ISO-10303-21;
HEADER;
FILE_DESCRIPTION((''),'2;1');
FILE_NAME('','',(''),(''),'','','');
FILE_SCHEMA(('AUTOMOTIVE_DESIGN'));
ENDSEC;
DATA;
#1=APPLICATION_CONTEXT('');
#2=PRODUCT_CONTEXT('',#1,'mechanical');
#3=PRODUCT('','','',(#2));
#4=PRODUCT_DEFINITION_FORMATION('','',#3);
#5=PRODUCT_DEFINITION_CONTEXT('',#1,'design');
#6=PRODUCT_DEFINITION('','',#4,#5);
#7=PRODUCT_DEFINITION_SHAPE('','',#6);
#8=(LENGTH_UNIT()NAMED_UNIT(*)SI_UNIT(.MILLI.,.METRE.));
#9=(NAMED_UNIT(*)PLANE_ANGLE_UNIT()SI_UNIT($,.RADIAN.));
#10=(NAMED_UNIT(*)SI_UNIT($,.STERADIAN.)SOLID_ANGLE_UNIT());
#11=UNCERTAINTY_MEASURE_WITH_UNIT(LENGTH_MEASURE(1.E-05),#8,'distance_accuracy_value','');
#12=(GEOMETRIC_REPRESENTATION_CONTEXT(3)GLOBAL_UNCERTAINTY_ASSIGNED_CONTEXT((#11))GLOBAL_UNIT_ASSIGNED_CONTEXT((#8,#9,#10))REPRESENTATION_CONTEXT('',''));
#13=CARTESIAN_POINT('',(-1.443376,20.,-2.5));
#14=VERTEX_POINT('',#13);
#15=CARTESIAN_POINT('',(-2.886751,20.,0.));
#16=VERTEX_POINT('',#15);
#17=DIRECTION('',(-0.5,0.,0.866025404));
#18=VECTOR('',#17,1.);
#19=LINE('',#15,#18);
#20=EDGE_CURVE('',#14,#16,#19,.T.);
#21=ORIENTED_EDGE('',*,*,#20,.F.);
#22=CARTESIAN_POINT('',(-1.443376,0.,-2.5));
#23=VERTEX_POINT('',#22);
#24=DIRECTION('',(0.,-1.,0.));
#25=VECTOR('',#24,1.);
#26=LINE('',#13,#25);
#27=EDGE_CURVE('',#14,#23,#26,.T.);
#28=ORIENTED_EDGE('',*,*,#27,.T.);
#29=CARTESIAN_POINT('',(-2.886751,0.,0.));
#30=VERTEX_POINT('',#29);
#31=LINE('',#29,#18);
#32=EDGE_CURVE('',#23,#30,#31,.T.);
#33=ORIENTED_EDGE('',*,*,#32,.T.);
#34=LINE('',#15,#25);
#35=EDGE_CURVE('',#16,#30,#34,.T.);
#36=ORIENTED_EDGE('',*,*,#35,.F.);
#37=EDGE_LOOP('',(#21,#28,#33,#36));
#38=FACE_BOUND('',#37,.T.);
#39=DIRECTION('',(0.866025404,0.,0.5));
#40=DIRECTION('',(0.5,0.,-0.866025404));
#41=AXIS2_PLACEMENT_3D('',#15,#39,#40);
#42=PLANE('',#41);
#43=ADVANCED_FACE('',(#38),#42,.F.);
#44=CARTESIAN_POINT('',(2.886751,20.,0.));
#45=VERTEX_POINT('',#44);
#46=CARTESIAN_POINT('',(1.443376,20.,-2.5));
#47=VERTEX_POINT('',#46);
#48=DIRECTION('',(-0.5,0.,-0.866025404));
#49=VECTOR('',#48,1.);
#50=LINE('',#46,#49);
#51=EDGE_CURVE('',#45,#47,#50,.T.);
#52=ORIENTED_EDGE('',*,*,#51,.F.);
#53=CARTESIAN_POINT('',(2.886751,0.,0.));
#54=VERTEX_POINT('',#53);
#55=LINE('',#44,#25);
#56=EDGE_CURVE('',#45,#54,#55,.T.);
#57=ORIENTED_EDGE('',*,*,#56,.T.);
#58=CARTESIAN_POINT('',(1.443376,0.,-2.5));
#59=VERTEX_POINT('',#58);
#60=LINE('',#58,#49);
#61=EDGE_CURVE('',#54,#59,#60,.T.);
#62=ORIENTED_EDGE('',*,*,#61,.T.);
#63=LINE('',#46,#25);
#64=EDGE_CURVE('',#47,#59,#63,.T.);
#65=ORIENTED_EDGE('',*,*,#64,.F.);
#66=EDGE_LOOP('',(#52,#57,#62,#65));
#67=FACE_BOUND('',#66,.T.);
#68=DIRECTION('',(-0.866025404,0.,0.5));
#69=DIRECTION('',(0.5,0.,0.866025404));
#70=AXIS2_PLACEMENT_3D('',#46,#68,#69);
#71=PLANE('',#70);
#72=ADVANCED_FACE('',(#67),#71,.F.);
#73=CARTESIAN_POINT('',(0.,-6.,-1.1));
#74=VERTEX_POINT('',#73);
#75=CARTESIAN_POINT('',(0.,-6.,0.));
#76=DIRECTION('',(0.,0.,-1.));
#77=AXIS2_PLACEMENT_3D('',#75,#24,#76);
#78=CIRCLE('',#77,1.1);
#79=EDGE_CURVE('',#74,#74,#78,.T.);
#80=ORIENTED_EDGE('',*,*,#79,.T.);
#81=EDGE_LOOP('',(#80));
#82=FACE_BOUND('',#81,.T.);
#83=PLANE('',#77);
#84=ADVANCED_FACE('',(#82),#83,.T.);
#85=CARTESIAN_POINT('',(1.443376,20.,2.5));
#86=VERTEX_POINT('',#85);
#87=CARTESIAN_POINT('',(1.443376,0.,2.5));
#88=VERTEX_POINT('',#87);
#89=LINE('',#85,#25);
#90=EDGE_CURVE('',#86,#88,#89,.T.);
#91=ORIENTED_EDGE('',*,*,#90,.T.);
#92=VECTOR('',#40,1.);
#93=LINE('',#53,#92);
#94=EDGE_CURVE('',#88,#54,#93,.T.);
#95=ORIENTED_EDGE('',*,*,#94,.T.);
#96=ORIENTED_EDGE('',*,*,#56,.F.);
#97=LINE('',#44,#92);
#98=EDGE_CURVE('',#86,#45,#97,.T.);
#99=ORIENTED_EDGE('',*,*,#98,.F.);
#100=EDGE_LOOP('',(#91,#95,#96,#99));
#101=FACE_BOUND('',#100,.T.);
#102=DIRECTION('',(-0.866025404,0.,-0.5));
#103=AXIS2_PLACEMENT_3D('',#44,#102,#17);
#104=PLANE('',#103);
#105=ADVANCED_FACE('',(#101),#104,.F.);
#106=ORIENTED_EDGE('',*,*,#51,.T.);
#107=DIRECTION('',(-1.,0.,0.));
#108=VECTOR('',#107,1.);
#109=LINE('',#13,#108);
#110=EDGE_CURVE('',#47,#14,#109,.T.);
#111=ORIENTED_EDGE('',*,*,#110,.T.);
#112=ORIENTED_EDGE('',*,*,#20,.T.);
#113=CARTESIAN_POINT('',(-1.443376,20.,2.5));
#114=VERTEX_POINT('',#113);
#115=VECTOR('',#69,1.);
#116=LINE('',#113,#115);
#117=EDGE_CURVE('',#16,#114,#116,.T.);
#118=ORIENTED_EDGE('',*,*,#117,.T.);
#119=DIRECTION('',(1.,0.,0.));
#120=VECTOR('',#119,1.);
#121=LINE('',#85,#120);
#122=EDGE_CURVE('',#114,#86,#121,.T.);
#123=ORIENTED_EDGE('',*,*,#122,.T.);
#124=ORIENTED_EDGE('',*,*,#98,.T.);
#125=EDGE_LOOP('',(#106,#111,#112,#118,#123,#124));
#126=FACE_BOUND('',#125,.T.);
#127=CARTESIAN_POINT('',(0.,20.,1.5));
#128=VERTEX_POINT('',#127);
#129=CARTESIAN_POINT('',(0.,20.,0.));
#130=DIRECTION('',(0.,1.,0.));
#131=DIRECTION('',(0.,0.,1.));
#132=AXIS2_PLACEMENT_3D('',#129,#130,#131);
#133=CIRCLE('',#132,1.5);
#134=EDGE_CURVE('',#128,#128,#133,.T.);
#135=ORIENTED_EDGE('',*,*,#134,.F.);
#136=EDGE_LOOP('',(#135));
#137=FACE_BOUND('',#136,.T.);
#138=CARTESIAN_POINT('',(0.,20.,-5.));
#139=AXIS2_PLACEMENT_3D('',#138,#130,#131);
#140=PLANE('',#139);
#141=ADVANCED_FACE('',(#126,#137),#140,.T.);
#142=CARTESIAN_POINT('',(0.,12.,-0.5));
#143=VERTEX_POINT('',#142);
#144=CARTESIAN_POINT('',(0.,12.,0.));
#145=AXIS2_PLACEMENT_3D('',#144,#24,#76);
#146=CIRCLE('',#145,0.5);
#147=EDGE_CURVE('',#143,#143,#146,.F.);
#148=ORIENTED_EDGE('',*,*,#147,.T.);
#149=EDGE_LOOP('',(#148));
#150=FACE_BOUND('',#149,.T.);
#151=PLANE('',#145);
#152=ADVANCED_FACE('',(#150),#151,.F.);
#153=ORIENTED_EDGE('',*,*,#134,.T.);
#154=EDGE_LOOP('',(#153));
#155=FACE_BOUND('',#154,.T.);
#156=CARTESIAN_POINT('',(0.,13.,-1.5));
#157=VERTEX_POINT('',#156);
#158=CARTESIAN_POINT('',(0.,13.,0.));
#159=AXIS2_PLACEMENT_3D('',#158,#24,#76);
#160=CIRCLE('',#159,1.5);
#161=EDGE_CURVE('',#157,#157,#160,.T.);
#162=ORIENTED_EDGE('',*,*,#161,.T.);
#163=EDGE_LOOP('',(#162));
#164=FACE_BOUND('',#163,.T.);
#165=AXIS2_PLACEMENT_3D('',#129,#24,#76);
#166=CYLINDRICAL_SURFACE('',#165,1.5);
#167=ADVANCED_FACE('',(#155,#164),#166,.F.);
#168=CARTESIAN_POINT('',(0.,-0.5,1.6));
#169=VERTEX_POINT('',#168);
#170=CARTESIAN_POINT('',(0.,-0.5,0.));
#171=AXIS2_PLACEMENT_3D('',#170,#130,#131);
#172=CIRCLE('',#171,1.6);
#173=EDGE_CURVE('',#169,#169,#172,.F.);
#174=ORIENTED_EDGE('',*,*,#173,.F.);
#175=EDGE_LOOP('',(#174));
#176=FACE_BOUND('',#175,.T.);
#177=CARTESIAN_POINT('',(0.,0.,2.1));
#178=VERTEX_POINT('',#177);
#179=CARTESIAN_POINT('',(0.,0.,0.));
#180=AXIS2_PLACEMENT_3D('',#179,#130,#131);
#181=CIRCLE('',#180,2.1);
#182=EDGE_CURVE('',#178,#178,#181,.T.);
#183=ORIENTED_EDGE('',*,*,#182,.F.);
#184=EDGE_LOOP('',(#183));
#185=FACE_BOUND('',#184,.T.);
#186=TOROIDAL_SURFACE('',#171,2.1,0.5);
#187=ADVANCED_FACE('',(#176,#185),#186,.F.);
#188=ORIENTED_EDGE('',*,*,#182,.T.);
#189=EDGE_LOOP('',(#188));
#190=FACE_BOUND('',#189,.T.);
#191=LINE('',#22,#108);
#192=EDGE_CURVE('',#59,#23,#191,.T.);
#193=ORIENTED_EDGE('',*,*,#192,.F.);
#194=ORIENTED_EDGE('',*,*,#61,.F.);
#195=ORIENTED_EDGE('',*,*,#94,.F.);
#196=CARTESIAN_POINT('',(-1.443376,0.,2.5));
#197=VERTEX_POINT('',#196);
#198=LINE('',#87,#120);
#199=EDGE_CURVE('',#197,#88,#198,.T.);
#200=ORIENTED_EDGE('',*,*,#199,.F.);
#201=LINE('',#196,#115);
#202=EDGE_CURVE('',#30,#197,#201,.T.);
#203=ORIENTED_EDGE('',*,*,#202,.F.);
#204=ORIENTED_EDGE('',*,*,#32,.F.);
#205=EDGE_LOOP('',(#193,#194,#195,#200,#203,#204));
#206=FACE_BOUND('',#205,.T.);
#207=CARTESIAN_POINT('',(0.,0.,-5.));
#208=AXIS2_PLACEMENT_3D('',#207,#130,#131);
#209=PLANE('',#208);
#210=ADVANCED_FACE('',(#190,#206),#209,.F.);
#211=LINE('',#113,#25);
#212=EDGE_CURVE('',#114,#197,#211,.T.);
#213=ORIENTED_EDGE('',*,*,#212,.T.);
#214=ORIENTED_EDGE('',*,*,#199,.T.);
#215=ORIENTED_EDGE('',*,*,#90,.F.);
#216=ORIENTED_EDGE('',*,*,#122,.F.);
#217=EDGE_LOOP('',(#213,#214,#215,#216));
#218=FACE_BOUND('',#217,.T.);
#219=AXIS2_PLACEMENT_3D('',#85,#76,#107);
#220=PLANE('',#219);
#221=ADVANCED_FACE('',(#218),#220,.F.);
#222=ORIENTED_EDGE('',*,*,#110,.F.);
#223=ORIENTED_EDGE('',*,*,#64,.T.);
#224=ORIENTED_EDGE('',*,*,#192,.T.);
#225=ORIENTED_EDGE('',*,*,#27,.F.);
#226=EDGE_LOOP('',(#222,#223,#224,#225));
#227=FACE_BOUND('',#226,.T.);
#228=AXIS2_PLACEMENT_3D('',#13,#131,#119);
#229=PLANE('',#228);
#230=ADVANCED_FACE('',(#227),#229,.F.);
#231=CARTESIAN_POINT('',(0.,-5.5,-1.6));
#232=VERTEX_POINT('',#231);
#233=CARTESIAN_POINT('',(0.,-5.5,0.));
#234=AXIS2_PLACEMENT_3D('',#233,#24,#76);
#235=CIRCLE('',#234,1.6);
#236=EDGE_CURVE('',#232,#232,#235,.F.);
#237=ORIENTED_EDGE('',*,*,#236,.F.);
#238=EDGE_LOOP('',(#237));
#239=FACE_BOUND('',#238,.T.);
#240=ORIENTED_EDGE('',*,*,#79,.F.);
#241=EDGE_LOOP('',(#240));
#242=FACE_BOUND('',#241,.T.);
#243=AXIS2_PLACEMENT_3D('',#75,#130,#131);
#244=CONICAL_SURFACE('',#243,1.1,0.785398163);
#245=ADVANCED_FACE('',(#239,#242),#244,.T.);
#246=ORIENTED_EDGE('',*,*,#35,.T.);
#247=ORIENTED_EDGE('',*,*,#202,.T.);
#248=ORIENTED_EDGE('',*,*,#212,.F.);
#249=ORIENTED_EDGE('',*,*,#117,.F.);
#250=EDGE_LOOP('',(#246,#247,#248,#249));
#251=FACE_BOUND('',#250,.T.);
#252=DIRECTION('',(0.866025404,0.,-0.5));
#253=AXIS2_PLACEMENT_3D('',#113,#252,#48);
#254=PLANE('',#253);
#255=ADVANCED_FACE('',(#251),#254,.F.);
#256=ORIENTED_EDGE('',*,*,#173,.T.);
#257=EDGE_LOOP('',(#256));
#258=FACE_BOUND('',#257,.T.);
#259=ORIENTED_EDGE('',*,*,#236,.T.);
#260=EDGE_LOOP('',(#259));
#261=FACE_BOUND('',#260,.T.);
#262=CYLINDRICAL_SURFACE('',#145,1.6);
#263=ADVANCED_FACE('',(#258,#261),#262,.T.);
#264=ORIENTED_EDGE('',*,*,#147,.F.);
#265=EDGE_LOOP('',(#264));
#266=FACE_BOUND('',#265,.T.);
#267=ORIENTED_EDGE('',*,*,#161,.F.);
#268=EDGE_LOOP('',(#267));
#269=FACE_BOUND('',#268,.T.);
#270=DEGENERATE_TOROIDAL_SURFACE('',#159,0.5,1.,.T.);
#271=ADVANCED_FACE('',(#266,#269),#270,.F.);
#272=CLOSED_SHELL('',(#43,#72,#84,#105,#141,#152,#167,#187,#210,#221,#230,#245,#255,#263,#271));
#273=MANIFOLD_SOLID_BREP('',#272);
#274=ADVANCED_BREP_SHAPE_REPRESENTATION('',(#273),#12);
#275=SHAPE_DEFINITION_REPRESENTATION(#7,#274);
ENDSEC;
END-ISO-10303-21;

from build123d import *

# Parameters (mm, degrees)
SKETCH1_R           = 1.5
EXTRUDE1_DEPTH      = 20
EXTRUDE2_DEPTH      = 6
EXTRUDE2_DEPTH_BACK = 12
SKETCH2_R           = 1.6
CHAMFER1_SIZE       = 0.5
FILLET1_R           = 0.5
FILLET2_R           = 1


with BuildPart() as part:
    # Sketch1 → Extrude1 (new body)
    with BuildSketch(Plane(origin=(0, 0, 0), x_dir=(1, 0, 0), z_dir=(0, 1, 0))):
        Polygon((-1.443375673, 2.5), (1.443375673, 2.5), (2.886751346, 0), (1.443375673, -2.5), (-1.443375673, -2.5), (-2.886751346, 0), align=None)
        with Locations(Location((0, 0, 0), (0, 0, 270))):
            Circle(SKETCH1_R, mode=Mode.SUBTRACT)
    extrude(amount=EXTRUDE1_DEPTH)

    # Sketch2 → Extrude2 (add, two sides: drawn at the far end of the back side and taken through both)
    with BuildSketch(Plane.XZ.offset(-EXTRUDE2_DEPTH_BACK)):
        with Locations(Location((0, 0, 0), (0, 0, 270))):
            Circle(SKETCH2_R)
    extrude(amount=EXTRUDE2_DEPTH + EXTRUDE2_DEPTH_BACK)

    # Chamfer1
    chamfer1_edges = [part.edges().sort_by_distance(p)[0] for p in [
        (0, -6, 1.6),
    ]]
    chamfer(chamfer1_edges, length=CHAMFER1_SIZE)

    # Fillet1
    fillet1_edges = [part.edges().sort_by_distance(p)[0] for p in [
        (0, 0, 1.6),
    ]]
    fillet(fillet1_edges, radius=FILLET1_R)

    # Fillet2
    fillet2_edges = [part.edges().sort_by_distance(p)[0] for p in [
        (0, 12, -1.5),
    ]]
    fillet(fillet2_edges, radius=FILLET2_R)


solid = part.part
